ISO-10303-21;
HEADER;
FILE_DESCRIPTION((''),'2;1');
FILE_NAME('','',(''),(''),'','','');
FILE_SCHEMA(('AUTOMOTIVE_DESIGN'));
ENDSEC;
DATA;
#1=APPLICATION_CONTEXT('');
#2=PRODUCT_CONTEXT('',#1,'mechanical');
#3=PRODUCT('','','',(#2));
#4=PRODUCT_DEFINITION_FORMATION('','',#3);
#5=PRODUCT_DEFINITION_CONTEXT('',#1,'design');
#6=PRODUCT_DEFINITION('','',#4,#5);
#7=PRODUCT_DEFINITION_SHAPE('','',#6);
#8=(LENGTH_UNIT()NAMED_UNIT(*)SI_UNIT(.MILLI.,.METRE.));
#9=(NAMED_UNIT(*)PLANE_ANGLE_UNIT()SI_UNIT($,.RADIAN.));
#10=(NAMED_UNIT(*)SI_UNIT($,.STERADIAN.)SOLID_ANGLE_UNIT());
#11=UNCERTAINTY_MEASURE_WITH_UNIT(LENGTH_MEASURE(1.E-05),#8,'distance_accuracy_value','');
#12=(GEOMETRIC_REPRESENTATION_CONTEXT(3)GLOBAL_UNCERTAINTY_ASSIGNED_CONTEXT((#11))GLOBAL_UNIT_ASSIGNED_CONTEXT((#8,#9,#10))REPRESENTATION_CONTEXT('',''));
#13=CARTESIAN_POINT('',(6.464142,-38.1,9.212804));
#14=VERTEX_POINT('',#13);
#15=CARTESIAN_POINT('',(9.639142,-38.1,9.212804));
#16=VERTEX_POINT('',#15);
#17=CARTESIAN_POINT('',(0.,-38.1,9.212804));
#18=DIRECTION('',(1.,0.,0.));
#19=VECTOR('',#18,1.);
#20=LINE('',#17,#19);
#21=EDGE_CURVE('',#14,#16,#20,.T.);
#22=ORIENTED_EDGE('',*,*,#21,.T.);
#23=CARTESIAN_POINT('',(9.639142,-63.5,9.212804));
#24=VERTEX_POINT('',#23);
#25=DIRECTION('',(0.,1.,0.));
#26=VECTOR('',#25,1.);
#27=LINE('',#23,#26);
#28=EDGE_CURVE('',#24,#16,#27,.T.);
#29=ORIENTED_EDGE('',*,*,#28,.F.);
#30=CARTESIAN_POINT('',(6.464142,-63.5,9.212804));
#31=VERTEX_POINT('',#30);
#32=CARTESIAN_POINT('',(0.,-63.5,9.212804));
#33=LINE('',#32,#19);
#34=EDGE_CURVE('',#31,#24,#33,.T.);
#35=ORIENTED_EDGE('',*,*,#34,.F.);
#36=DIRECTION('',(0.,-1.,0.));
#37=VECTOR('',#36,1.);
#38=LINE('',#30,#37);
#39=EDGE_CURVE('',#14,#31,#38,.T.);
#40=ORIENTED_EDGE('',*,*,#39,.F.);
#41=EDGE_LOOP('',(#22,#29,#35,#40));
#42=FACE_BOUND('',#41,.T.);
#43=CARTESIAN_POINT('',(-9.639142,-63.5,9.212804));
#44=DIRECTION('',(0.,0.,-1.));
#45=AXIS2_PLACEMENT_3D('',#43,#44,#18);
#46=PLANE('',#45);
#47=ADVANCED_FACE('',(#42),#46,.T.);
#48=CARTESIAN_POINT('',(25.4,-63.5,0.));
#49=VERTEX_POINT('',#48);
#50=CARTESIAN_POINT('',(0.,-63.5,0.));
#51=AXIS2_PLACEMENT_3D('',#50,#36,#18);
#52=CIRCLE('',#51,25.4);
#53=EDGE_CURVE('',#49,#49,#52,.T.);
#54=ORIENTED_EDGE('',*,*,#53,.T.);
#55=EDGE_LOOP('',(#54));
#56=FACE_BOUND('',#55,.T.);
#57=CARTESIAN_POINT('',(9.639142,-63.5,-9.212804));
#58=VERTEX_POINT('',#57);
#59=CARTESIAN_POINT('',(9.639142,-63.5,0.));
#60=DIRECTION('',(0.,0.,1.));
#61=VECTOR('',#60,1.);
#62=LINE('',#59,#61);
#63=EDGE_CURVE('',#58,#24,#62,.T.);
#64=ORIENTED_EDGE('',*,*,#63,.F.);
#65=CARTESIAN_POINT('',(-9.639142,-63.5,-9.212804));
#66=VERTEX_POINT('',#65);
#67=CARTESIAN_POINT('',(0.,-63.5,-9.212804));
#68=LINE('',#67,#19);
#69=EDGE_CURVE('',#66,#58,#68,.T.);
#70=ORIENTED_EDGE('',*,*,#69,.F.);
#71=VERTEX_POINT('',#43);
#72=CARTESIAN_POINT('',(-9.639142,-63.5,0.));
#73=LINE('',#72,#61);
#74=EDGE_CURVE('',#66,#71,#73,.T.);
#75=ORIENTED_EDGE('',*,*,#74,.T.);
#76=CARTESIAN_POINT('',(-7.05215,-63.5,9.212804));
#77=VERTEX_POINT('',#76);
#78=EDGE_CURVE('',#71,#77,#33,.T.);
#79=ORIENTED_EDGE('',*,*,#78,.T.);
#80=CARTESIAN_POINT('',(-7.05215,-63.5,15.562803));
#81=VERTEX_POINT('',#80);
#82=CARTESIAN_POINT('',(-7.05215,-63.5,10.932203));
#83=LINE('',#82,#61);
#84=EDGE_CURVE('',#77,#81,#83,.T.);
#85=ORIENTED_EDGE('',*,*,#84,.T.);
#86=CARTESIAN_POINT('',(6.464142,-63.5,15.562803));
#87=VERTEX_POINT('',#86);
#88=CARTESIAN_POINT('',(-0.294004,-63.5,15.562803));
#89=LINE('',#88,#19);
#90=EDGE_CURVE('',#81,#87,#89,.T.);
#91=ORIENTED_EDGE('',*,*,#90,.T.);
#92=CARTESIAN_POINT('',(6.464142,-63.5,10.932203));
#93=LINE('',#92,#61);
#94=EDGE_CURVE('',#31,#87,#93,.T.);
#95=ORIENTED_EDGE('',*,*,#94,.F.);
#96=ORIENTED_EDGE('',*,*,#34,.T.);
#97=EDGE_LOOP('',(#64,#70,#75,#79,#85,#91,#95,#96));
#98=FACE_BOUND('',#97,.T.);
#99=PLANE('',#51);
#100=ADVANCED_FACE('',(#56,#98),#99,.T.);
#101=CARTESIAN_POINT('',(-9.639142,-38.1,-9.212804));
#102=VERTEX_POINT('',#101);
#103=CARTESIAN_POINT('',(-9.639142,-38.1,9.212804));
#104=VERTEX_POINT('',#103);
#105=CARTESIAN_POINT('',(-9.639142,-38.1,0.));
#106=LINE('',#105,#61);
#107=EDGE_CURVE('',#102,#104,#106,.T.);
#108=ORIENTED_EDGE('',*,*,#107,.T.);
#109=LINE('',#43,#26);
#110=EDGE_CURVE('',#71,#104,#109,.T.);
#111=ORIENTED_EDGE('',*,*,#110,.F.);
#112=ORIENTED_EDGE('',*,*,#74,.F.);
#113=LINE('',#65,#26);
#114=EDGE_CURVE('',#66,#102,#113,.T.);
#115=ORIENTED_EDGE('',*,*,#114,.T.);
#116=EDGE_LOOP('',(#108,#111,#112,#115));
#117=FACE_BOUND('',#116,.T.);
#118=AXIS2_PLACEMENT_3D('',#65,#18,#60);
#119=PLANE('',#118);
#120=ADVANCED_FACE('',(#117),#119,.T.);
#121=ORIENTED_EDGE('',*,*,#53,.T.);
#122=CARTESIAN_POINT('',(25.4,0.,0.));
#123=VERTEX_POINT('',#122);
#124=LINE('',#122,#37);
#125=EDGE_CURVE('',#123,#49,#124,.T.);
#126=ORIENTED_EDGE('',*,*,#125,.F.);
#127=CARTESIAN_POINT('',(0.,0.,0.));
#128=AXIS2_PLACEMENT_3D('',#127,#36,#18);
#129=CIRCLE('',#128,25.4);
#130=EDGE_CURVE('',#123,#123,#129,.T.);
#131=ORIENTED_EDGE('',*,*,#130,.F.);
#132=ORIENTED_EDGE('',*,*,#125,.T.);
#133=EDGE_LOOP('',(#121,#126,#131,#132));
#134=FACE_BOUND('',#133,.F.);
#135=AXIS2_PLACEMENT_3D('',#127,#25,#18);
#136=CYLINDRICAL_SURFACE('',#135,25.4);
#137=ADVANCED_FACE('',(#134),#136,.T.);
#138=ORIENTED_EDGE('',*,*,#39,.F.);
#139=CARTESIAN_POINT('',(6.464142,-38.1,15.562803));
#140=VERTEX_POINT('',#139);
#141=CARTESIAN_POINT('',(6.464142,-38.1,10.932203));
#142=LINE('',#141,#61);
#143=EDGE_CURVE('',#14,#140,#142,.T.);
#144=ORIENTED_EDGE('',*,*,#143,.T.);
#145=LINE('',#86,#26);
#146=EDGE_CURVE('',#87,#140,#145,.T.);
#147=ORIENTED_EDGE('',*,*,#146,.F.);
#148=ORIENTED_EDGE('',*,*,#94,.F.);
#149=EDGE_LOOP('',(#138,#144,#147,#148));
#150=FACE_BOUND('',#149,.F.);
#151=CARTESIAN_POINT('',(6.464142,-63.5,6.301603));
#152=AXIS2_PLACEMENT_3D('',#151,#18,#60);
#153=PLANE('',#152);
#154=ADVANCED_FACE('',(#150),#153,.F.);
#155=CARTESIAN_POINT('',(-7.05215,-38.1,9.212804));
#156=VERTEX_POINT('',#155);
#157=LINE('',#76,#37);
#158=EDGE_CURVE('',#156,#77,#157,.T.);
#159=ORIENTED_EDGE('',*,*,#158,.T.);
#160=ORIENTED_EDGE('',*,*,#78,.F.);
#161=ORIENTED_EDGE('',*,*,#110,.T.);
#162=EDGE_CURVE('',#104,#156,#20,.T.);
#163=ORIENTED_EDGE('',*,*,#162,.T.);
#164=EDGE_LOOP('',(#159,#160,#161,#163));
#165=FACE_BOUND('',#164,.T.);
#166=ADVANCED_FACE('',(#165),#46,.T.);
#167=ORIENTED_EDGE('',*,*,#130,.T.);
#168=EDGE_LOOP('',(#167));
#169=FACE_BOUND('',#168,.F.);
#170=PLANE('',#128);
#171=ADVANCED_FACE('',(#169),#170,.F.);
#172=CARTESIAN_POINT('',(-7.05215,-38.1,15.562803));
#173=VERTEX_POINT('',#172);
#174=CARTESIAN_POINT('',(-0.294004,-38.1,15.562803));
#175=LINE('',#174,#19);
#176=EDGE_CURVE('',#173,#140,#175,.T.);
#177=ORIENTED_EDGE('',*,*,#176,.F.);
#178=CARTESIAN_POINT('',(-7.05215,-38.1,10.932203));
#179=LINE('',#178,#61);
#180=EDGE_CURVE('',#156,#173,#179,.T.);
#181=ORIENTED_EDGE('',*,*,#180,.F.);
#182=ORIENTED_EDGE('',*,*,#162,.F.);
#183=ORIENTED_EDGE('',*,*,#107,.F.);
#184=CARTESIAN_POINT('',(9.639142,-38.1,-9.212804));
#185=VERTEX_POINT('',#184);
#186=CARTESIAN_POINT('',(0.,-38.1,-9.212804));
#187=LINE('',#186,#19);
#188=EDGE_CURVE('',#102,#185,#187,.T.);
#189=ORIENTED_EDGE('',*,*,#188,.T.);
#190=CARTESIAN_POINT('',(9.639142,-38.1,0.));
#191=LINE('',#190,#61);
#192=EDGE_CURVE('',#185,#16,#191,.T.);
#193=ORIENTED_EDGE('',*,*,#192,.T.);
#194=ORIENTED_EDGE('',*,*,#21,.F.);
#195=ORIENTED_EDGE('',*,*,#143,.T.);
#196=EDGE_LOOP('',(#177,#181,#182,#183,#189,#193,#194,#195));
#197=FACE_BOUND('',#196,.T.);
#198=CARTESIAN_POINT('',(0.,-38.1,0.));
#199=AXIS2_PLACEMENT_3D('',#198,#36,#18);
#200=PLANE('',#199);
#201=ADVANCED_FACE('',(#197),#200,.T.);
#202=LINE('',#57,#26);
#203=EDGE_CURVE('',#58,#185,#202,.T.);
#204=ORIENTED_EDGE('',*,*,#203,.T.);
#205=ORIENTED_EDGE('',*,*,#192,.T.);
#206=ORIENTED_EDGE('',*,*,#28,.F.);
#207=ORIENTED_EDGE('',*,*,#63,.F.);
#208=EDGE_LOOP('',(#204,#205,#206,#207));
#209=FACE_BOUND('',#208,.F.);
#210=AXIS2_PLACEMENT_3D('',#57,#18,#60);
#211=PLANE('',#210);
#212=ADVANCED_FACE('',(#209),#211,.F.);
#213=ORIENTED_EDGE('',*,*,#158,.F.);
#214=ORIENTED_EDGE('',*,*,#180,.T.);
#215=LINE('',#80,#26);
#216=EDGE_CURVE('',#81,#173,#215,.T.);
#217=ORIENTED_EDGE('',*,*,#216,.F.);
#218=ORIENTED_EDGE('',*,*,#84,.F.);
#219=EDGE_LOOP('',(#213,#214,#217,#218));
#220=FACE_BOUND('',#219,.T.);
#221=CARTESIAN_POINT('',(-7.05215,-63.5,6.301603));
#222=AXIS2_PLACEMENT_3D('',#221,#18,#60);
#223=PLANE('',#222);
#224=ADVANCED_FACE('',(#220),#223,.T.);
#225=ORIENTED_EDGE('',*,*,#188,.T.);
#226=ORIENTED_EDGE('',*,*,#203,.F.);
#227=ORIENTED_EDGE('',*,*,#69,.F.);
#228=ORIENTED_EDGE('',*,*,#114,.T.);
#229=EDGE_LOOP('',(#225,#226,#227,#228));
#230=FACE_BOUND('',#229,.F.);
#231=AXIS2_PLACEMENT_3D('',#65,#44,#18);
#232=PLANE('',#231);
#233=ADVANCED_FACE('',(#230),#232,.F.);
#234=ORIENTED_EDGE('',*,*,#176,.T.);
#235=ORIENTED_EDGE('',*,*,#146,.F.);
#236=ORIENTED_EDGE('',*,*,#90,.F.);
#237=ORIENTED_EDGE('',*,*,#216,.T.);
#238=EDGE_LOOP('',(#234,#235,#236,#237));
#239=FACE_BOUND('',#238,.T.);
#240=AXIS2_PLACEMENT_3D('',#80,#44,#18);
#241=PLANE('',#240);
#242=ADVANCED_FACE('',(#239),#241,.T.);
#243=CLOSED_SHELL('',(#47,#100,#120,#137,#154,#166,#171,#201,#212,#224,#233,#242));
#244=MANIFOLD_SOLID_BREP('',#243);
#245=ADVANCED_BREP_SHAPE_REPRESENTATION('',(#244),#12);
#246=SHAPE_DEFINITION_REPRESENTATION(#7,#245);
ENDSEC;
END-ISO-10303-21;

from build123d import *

# Parameters (mm, degrees)
F0_R     = 25.4
F1_DEPTH = 63.5
F2_W     = 19.278284
F2_H     = 18.425608
F3_DEPTH = 25.4
F4_W     = 13.516292
F4_H     = 9.261201
F5_DEPTH = 25.4


with BuildPart() as f1:
    # F0 (on Front) → F1 (new body)
    with BuildSketch(Plane.XZ):
        Circle(F0_R)
    extrude(amount=F1_DEPTH)

    # F2 (on face) → F3 (cut)
    with BuildSketch(Plane.XZ.offset(63.5)):
        Rectangle(F2_W, F2_H)
    extrude(amount=-F3_DEPTH, mode=Mode.SUBTRACT)

    # F4 (on face) → F5 (cut)
    with BuildSketch(Plane.XZ.offset(63.5)):
        with Locations((-0.294004, 10.932203)):
            Rectangle(F4_W, F4_H)
    extrude(amount=-F5_DEPTH, mode=Mode.SUBTRACT)


solid = f1.part
